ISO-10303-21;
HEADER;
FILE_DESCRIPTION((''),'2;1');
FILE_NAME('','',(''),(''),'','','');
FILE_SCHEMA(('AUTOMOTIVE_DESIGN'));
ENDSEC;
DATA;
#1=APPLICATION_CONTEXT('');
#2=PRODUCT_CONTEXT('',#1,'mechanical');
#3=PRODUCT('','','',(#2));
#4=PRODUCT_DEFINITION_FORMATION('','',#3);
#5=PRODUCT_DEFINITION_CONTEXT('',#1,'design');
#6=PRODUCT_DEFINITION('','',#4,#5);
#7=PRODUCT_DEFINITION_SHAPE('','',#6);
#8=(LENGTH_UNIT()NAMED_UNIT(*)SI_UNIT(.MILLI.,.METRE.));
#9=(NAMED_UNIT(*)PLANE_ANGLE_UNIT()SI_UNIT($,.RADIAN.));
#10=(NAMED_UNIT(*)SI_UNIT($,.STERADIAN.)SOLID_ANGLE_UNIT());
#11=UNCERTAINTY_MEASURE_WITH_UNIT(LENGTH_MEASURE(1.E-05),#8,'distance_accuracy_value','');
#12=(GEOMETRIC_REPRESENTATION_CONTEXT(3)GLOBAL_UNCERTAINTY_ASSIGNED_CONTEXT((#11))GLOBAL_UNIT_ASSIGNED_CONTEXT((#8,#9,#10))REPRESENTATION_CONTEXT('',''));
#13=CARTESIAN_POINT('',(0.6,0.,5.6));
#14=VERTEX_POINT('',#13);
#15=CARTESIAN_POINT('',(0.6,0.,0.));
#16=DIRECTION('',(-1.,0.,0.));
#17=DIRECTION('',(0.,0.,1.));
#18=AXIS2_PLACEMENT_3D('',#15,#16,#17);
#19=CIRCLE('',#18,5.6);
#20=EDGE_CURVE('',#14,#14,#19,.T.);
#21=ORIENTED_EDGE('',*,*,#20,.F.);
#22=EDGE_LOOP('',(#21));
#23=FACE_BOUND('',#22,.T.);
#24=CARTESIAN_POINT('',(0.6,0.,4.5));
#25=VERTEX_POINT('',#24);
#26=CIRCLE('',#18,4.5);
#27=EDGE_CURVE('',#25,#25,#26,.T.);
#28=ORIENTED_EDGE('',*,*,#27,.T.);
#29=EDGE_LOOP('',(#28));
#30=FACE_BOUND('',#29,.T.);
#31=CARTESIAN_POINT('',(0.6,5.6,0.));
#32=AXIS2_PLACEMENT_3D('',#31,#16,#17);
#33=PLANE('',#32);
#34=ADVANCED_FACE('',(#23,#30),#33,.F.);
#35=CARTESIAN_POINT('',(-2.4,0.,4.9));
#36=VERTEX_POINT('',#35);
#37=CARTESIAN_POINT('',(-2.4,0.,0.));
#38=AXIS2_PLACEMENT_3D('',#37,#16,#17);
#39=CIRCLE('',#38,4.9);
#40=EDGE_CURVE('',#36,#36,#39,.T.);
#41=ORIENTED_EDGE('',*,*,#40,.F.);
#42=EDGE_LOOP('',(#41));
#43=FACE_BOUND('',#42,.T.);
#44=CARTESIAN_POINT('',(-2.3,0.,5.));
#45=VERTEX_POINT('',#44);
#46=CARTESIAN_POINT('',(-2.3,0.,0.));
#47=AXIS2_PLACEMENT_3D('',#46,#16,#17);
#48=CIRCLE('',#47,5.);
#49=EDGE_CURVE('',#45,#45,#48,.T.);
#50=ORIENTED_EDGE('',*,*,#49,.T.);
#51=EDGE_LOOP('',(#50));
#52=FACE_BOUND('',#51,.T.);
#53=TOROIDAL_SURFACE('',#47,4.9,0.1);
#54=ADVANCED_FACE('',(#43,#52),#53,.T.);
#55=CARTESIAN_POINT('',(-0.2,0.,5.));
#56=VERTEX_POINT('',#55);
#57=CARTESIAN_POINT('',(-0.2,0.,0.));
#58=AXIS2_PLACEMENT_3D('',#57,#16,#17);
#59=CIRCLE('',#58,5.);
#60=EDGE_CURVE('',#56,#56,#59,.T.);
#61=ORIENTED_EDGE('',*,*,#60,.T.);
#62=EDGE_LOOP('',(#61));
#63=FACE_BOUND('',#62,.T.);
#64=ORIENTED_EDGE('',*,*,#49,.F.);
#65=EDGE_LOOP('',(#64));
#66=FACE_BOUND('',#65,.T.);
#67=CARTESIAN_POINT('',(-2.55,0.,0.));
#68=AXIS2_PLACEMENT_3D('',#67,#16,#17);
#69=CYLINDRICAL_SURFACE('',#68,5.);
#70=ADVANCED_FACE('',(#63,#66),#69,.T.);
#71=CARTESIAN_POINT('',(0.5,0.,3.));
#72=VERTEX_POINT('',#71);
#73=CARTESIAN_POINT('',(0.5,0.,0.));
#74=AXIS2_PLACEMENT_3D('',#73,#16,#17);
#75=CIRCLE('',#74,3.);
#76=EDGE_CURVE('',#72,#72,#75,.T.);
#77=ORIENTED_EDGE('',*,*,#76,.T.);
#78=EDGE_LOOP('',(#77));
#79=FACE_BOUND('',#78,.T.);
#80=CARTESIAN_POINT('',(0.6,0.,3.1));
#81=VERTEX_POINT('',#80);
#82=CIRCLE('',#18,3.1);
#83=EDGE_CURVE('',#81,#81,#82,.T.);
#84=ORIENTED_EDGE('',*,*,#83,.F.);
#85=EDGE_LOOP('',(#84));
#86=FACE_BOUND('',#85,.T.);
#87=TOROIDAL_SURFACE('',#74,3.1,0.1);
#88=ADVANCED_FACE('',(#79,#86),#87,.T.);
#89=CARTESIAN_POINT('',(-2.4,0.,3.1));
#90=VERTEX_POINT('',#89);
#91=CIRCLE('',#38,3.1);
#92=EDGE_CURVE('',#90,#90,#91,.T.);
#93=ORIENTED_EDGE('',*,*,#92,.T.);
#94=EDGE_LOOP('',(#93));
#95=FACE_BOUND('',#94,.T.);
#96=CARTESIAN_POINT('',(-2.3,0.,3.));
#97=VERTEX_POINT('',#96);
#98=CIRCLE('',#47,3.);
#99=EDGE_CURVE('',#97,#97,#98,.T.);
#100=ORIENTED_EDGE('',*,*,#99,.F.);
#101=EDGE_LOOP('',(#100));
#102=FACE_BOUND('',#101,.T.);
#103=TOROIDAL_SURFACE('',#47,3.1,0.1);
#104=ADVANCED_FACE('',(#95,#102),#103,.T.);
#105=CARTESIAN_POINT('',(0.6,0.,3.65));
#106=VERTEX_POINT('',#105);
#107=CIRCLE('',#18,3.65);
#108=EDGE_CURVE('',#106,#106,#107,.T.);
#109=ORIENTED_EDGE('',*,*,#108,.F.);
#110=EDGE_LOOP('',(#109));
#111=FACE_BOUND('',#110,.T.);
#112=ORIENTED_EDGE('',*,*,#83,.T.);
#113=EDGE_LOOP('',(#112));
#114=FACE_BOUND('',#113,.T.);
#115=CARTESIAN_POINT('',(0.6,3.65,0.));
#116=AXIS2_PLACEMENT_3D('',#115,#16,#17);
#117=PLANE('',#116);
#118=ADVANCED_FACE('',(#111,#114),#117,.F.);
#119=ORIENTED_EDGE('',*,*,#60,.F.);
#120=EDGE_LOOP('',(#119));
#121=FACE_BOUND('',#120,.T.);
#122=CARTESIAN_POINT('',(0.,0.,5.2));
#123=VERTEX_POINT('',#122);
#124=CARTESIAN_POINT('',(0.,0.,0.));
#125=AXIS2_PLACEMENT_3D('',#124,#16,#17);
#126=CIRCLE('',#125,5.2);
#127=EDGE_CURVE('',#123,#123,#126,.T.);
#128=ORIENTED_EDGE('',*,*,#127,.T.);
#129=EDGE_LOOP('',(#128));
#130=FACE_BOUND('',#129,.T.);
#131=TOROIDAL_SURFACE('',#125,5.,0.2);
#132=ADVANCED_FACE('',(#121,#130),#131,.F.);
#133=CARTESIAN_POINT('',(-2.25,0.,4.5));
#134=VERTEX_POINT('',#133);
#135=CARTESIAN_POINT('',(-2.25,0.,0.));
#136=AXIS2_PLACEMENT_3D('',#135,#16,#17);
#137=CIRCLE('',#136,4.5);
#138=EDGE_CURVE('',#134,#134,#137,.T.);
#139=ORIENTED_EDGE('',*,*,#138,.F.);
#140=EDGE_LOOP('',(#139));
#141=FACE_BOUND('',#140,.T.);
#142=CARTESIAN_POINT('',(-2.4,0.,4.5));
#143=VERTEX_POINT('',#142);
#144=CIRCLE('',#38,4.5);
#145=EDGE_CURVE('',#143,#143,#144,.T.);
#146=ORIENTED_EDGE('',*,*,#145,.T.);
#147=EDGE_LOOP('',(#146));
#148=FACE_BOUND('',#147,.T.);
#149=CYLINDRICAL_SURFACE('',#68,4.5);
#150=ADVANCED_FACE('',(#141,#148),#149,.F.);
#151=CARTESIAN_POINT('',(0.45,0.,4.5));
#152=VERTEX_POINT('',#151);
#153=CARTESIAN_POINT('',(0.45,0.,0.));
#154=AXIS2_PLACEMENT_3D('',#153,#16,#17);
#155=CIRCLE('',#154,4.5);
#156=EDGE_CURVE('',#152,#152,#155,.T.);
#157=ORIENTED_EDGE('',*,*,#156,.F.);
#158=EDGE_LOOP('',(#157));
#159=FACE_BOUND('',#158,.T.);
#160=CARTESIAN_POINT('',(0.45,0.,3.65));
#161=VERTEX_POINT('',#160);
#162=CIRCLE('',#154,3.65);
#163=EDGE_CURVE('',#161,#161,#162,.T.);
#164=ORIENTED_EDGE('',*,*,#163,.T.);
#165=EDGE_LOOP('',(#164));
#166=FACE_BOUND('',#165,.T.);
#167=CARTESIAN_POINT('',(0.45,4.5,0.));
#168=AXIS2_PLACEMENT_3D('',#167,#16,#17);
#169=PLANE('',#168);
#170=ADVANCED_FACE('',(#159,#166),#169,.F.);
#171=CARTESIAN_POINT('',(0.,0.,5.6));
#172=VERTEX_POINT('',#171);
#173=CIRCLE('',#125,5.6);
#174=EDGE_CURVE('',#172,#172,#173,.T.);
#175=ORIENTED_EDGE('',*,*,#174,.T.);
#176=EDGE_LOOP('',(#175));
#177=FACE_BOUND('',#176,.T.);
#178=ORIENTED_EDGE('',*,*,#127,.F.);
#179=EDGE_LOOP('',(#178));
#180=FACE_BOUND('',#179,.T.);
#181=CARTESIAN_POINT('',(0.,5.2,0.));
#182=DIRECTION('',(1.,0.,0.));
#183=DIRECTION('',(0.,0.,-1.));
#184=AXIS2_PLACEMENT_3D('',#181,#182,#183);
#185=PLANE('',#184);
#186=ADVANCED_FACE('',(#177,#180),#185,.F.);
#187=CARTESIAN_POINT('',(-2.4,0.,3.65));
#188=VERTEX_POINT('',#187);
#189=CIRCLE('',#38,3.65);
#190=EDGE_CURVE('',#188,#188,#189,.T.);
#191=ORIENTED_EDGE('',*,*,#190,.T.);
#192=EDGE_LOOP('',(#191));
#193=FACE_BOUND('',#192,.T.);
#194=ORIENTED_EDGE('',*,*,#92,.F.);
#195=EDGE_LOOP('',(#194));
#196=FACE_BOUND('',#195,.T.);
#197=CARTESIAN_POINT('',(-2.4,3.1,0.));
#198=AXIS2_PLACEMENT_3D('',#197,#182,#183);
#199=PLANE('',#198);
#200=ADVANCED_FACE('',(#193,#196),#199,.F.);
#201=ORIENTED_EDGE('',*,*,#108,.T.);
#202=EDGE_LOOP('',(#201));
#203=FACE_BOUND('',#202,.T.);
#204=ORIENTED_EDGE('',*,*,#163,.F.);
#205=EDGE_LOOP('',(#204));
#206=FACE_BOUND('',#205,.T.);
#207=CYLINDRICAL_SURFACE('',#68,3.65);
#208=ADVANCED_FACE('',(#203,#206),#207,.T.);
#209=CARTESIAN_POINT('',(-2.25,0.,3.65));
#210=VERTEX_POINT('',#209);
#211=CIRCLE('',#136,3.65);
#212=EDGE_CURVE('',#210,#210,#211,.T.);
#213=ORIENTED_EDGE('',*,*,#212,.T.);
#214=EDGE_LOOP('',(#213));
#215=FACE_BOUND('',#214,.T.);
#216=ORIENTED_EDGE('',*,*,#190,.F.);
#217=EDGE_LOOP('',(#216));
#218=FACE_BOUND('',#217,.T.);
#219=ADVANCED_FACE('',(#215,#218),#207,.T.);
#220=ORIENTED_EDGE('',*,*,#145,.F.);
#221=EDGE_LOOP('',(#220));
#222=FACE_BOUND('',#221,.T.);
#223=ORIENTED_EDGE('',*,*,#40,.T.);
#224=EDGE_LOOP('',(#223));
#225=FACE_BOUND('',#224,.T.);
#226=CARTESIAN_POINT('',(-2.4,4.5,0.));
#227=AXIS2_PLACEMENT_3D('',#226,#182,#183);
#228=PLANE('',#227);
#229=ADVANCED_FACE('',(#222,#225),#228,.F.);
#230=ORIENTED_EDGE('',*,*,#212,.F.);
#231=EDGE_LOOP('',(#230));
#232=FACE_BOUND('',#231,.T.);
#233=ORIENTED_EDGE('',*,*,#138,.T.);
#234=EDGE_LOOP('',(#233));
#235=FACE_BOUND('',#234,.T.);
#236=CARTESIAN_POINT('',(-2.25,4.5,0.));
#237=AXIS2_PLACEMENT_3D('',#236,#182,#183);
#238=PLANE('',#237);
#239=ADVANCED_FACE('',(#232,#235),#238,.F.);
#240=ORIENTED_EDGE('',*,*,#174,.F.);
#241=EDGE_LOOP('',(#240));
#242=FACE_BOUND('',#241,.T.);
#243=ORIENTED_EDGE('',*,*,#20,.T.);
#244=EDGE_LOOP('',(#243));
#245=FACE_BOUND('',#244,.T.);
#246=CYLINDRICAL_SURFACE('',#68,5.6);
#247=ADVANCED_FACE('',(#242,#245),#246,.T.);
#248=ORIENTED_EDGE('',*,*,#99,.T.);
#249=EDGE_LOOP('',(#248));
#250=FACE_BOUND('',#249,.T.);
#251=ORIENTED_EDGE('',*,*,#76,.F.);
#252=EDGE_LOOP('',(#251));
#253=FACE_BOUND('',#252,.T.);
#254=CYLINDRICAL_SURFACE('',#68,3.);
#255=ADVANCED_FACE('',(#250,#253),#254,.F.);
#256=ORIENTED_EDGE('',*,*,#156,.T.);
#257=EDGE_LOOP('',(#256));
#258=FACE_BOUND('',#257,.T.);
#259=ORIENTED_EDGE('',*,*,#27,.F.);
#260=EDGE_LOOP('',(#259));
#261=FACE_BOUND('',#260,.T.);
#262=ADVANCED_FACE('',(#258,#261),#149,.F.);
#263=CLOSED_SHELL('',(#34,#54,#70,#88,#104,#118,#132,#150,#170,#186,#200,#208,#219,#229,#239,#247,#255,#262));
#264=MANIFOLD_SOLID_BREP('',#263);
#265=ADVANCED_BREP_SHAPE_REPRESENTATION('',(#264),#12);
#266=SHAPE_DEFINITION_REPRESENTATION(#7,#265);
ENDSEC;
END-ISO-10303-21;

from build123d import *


with BuildPart() as part:
    # Sketch1 → Revolve1 (revolve)
    with BuildSketch(Plane.XY):
        with BuildLine():
            Line((0, 5.2), (0, 5.6))
            Line((0, 5.6), (0.6, 5.6))
            Line((0.6, 5.6), (0.6, 4.5))
            Line((0.6, 4.5), (0.45, 4.5))
            Line((0.45, 4.5), (0.45, 3.65))
            Line((0.45, 3.65), (0.6, 3.65))
            Line((0.6, 3.65), (0.6, 3.1))
            ThreePointArc((0.6, 3.1), (0.570710678, 3.029289322), (0.5, 3))
            Line((0.5, 3), (-2.3, 3))
            ThreePointArc((-2.3, 3), (-2.370710678, 3.029289322), (-2.4, 3.1))
            Line((-2.4, 3.1), (-2.4, 3.65))
            Line((-2.4, 3.65), (-2.25, 3.65))
            Line((-2.25, 3.65), (-2.25, 4.5))
            Line((-2.25, 4.5), (-2.4, 4.5))
            Line((-2.4, 4.5), (-2.4, 4.9))
            ThreePointArc((-2.4, 4.9), (-2.370710678, 4.970710678), (-2.3, 5))
            Line((-2.3, 5), (-0.2, 5))
            ThreePointArc((-0.2, 5), (0.141421356, 4.858578644), (0, 5.2))
        make_face()
    revolve(axis=Axis((-2.55, 0, 0), (1, 0, 0)))


solid = part.part
